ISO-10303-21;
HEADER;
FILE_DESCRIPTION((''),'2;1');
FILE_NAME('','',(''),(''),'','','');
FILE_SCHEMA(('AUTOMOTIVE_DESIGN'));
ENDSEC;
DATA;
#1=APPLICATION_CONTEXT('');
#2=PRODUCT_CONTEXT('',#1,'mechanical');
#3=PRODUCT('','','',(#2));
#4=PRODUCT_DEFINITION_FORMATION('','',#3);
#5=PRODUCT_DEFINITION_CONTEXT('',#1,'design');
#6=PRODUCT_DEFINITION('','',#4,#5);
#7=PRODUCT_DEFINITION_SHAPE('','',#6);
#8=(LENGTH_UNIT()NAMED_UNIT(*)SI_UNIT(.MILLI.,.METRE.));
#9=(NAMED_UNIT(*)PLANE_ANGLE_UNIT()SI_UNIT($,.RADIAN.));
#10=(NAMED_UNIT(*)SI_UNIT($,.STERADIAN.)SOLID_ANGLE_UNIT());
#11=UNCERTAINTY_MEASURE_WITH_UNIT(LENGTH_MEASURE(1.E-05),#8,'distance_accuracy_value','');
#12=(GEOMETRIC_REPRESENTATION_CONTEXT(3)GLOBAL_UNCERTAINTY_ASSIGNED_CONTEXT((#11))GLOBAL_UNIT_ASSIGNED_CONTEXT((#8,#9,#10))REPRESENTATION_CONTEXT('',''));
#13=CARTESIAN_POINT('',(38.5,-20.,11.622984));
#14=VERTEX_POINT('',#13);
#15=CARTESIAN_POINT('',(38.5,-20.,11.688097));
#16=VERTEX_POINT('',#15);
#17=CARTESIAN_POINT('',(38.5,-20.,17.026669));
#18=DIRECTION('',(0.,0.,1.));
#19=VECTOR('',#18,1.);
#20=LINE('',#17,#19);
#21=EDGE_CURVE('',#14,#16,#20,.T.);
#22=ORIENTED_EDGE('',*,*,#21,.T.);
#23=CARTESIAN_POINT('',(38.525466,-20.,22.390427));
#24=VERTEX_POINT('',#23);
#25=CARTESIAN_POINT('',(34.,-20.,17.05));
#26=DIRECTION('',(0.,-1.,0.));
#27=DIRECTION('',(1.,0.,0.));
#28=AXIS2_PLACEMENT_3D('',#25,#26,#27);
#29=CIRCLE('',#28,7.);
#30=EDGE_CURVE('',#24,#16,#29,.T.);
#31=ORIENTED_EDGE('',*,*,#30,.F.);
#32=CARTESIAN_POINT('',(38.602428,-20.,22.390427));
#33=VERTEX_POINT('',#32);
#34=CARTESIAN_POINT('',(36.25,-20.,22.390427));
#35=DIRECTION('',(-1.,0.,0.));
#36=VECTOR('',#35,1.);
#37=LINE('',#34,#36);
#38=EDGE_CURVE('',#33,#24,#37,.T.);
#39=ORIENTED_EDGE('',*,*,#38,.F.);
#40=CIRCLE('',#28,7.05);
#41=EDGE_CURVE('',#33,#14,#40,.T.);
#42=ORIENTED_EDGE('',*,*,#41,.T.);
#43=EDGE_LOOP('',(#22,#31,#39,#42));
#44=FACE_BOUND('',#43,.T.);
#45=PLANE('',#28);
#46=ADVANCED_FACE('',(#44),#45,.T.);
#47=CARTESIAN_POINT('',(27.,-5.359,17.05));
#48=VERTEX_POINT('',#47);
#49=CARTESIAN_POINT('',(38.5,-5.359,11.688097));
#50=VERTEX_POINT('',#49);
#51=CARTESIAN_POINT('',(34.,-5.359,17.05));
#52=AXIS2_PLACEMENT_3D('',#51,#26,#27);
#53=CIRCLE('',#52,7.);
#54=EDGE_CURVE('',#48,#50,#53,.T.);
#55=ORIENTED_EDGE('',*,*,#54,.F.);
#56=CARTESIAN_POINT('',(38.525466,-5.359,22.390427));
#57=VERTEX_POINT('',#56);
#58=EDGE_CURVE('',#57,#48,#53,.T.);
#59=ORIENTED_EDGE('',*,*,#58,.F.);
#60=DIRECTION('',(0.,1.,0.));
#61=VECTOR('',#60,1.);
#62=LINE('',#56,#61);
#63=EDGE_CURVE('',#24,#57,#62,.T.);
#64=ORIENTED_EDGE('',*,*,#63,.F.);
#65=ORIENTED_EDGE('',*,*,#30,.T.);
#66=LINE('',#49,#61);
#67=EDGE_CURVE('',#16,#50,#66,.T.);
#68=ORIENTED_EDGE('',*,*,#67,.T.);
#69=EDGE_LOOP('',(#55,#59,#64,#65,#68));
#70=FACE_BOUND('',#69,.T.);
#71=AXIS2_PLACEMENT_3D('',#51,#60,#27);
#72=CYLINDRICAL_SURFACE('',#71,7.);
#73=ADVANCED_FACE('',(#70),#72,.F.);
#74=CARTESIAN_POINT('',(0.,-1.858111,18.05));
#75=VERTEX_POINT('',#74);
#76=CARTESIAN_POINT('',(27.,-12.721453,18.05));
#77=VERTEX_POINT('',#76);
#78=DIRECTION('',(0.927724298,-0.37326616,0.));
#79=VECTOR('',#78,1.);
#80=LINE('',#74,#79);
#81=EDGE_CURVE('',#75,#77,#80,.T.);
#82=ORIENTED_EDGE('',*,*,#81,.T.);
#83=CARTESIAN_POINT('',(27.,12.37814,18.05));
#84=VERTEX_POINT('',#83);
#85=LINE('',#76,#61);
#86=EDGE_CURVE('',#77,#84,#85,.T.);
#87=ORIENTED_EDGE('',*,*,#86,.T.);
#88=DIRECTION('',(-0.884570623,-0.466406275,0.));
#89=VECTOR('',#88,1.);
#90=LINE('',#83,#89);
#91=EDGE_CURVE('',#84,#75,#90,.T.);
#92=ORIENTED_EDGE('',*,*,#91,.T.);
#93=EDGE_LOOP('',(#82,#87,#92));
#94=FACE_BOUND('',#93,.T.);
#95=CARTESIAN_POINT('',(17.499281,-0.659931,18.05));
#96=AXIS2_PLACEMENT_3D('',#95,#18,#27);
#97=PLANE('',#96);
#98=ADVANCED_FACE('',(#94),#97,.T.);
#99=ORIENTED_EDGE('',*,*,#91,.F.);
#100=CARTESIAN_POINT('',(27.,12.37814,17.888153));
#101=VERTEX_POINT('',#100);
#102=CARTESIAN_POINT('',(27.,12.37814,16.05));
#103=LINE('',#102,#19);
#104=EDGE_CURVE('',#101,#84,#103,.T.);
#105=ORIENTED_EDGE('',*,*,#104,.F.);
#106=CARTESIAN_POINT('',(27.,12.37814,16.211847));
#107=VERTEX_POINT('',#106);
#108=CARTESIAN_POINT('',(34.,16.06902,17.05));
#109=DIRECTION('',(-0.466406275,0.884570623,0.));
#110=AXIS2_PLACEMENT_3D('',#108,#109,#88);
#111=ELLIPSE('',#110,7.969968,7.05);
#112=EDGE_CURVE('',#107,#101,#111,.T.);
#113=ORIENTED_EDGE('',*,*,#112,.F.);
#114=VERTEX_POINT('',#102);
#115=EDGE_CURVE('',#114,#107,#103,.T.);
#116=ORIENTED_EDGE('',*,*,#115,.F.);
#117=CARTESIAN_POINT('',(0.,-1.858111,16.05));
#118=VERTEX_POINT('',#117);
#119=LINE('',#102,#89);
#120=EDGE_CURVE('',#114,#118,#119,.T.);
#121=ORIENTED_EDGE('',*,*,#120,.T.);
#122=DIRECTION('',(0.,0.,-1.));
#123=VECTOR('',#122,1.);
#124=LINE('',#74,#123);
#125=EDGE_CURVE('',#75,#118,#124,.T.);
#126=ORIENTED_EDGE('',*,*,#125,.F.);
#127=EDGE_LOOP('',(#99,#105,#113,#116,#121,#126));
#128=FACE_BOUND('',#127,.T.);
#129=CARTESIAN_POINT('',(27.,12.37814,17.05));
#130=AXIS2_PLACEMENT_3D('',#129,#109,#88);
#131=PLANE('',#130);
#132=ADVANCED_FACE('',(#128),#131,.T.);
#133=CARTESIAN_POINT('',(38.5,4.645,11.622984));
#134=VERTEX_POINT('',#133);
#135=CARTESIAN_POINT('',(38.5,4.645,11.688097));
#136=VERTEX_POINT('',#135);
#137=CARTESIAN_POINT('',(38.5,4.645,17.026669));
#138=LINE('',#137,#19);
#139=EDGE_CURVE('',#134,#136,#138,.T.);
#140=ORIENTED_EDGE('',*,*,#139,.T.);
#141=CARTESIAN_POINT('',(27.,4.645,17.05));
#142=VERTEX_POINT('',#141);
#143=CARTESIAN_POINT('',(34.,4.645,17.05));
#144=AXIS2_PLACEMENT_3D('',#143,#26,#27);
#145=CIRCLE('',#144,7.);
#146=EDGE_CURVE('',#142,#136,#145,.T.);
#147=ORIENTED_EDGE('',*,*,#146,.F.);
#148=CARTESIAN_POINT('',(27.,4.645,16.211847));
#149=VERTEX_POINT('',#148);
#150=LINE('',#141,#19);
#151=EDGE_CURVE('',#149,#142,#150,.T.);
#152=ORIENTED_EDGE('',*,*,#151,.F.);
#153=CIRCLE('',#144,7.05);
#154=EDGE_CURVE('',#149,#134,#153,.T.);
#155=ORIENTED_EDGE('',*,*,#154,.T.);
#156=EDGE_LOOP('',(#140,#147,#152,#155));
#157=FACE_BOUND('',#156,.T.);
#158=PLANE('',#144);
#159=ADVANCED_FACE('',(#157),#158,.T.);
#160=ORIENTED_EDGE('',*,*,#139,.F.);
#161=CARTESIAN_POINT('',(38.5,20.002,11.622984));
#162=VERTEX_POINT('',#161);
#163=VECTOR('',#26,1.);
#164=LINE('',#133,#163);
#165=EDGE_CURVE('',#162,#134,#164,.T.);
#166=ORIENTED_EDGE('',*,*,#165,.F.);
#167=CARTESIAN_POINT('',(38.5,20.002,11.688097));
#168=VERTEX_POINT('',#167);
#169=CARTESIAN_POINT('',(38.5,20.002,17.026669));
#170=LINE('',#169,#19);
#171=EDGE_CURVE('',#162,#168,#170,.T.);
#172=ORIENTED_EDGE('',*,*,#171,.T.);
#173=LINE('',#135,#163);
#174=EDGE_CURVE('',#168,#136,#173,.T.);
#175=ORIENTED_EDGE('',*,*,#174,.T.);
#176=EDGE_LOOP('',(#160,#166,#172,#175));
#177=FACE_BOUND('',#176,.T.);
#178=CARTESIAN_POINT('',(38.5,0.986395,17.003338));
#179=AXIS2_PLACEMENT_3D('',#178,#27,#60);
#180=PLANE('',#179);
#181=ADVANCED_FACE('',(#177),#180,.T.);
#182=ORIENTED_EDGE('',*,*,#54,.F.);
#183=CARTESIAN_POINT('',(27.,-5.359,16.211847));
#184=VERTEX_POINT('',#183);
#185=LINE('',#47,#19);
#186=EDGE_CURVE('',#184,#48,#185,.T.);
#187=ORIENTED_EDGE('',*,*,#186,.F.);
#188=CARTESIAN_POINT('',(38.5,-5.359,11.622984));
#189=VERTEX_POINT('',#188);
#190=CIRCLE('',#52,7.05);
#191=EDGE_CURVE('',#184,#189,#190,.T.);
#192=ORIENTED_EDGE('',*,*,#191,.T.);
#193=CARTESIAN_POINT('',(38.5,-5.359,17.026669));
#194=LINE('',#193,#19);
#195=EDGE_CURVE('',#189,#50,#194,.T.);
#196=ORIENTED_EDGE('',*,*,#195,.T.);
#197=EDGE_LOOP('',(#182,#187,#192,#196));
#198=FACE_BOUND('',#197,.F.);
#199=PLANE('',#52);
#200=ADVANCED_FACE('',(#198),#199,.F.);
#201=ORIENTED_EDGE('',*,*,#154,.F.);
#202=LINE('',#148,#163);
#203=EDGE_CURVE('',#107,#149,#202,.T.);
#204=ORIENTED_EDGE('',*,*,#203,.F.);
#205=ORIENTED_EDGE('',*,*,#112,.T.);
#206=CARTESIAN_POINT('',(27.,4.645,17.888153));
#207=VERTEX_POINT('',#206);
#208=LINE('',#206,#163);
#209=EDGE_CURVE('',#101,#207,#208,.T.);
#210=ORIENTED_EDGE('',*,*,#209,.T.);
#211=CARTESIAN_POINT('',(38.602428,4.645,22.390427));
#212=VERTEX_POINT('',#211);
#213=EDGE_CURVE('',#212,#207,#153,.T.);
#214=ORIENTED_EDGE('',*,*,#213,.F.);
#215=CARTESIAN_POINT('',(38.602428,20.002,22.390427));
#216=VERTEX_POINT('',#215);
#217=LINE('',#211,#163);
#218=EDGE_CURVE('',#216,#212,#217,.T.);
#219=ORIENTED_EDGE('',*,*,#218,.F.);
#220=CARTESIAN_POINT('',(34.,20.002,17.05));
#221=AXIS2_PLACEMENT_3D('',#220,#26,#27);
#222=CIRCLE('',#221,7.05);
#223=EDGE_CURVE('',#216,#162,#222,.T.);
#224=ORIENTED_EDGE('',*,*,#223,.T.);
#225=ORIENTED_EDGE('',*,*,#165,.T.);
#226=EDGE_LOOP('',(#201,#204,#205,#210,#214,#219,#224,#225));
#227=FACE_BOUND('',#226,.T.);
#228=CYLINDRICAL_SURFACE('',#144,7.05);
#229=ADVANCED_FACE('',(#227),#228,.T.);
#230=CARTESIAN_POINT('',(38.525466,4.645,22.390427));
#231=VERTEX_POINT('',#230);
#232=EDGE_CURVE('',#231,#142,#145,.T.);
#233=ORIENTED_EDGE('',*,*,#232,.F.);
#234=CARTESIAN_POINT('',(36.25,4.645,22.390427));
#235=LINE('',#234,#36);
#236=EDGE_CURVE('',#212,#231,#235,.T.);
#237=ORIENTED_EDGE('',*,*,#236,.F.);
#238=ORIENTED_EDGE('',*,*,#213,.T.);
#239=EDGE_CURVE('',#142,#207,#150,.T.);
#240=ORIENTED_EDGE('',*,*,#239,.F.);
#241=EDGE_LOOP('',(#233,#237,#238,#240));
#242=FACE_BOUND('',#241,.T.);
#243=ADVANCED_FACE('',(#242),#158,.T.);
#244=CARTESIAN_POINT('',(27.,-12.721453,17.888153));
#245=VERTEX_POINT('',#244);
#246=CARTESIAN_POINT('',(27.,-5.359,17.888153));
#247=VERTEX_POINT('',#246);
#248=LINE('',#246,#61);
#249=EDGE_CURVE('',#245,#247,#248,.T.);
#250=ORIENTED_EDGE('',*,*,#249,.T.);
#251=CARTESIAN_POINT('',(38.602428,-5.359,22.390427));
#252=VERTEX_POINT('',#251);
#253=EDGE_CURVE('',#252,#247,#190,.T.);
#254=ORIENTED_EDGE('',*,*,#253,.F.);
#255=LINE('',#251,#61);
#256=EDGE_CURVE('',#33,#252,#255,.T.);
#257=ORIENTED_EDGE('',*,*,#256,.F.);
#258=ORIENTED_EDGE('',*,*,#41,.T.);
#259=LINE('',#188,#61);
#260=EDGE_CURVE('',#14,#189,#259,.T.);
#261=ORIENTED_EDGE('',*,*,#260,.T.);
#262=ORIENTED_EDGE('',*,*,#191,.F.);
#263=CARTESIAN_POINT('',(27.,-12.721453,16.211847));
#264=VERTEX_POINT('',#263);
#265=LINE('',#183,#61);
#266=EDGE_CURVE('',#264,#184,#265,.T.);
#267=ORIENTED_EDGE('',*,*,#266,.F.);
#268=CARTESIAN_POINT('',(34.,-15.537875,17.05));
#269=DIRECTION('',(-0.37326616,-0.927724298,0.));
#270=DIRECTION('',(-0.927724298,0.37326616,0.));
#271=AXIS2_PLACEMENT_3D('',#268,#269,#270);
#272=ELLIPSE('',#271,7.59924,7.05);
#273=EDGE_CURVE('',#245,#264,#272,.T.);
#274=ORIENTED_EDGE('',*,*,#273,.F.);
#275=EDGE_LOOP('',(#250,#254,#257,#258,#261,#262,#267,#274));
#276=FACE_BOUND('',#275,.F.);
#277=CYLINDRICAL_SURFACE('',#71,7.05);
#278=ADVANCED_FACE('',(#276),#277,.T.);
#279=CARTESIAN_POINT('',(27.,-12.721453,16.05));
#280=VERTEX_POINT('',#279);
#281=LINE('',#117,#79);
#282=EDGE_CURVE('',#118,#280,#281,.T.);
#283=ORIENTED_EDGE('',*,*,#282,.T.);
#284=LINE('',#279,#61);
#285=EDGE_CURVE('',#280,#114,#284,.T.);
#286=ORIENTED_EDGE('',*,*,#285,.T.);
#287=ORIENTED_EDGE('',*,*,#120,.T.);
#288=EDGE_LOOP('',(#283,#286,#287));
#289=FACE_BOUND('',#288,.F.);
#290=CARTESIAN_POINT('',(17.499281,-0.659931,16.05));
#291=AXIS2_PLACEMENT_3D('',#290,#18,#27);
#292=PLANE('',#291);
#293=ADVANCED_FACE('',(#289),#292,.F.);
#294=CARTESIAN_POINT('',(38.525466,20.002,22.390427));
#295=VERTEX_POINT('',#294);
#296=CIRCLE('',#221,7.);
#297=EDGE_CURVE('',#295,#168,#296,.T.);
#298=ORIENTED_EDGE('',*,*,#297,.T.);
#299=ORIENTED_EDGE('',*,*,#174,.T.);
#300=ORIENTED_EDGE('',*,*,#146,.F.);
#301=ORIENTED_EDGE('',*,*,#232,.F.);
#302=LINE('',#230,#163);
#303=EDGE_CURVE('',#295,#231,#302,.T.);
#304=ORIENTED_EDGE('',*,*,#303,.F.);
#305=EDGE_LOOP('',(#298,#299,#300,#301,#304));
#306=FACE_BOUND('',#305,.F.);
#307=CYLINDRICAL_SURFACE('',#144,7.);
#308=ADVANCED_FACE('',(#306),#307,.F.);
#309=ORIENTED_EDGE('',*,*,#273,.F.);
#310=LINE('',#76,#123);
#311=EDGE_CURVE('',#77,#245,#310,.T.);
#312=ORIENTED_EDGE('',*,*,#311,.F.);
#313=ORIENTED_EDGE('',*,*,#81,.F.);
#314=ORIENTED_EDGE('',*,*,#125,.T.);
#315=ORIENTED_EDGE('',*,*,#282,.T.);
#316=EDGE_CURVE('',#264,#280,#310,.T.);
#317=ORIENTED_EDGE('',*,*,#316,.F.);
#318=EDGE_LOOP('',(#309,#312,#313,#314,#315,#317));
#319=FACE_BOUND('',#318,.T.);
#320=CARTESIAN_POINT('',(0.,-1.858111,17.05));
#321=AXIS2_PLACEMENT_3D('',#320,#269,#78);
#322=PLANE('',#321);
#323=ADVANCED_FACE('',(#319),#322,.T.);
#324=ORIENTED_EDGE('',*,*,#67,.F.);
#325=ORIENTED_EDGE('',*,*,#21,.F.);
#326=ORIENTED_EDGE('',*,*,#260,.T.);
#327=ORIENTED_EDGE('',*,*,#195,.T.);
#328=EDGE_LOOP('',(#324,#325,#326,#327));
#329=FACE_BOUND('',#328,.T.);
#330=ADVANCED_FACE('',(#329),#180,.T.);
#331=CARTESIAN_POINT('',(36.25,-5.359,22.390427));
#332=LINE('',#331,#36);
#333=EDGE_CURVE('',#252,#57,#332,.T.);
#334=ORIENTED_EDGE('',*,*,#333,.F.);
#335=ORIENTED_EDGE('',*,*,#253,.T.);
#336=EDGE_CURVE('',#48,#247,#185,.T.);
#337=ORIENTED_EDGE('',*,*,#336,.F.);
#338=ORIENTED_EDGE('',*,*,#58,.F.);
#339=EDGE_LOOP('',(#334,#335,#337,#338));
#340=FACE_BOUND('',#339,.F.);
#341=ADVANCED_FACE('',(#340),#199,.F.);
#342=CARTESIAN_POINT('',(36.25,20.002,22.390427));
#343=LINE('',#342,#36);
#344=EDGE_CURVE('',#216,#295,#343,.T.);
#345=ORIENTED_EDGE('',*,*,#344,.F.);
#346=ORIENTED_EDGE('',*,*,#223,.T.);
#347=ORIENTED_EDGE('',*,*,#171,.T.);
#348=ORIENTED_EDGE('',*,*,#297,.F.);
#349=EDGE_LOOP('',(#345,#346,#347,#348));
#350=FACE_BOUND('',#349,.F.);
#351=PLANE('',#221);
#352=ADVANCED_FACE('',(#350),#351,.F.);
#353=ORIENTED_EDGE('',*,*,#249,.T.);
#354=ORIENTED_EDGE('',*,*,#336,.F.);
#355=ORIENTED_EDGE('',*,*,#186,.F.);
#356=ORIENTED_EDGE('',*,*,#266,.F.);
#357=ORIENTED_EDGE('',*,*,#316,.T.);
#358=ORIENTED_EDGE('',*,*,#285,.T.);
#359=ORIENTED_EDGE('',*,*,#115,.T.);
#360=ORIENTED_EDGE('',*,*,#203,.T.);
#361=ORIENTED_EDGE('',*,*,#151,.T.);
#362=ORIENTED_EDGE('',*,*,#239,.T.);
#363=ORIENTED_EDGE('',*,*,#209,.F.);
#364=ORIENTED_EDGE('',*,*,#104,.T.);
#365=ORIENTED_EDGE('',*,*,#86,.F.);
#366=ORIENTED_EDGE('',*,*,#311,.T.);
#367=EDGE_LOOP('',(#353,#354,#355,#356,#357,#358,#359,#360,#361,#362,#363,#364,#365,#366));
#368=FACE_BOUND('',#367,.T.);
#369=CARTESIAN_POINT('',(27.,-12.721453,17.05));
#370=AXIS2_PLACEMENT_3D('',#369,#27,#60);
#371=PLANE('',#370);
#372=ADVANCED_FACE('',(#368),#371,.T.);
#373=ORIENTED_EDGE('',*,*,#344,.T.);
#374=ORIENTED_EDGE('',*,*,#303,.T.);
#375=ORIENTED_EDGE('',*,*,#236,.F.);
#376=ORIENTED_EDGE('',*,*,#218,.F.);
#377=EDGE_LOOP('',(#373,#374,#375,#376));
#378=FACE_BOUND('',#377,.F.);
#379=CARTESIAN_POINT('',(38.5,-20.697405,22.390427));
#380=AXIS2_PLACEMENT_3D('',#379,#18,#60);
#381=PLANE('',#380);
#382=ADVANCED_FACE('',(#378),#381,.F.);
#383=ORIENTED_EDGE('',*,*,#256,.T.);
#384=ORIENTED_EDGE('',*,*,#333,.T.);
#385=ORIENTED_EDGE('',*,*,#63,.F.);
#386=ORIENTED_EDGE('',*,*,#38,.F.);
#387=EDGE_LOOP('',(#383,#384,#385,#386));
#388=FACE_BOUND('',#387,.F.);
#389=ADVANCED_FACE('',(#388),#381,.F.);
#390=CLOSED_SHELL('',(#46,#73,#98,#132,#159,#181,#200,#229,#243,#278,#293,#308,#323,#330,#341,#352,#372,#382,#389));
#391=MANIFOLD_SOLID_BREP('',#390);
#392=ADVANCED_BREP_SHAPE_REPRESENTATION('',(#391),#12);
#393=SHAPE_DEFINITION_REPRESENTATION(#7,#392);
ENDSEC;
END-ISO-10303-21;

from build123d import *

# Parameters (mm, degrees)
F1_R      = 7.05
F1_R_2    = 7
F2_DEPTH  = 15.357
F4_R      = 7.05
F4_R_2    = 7
F5_DEPTH  = 14.641
F8_DEPTH  = 1
F10_W     = 43.367601
F10_H     = 10.774177
F11_DEPTH = 25


with BuildPart() as f2:
    # F1 (on offset) → F2 (new body)
    with BuildSketch(Plane.XZ.offset(-4.645)):
        with Locations((34, 17.05)):
            Circle(F1_R)
        with Locations((34, 17.05)):
            Circle(F1_R_2, mode=Mode.SUBTRACT)
    extrude(amount=-F2_DEPTH)



with BuildPart() as f5:
    # F4 (on offset) → F5 (new body)
    with BuildSketch(Plane.XZ.offset(5.359)):
        with Locations((34, 17.05)):
            Circle(F4_R)
        with Locations((34, 17.05)):
            Circle(F4_R_2, mode=Mode.SUBTRACT)
    extrude(amount=F5_DEPTH)


with BuildPart() as f2_1:
    add(f2.part)

    add(f5.part)  # F8 merges F5
    # F7 (on offset) → F8 (join, symmetric)
    with BuildSketch(Plane.XY.offset(17.05)):
        Polygon((27, -12.721453), (27, 12.37814), (0, -1.858111), align=None)
    extrude(amount=F8_DEPTH, both=True)

    # F10 (on offset) → F11 (cut)
    with BuildSketch(Plane.YZ.offset(38.5)):
        with Locations((0.986395, 17.003338)):
            Rectangle(F10_W, F10_H)
    extrude(amount=F11_DEPTH, mode=Mode.SUBTRACT)


solid = f2_1.part
